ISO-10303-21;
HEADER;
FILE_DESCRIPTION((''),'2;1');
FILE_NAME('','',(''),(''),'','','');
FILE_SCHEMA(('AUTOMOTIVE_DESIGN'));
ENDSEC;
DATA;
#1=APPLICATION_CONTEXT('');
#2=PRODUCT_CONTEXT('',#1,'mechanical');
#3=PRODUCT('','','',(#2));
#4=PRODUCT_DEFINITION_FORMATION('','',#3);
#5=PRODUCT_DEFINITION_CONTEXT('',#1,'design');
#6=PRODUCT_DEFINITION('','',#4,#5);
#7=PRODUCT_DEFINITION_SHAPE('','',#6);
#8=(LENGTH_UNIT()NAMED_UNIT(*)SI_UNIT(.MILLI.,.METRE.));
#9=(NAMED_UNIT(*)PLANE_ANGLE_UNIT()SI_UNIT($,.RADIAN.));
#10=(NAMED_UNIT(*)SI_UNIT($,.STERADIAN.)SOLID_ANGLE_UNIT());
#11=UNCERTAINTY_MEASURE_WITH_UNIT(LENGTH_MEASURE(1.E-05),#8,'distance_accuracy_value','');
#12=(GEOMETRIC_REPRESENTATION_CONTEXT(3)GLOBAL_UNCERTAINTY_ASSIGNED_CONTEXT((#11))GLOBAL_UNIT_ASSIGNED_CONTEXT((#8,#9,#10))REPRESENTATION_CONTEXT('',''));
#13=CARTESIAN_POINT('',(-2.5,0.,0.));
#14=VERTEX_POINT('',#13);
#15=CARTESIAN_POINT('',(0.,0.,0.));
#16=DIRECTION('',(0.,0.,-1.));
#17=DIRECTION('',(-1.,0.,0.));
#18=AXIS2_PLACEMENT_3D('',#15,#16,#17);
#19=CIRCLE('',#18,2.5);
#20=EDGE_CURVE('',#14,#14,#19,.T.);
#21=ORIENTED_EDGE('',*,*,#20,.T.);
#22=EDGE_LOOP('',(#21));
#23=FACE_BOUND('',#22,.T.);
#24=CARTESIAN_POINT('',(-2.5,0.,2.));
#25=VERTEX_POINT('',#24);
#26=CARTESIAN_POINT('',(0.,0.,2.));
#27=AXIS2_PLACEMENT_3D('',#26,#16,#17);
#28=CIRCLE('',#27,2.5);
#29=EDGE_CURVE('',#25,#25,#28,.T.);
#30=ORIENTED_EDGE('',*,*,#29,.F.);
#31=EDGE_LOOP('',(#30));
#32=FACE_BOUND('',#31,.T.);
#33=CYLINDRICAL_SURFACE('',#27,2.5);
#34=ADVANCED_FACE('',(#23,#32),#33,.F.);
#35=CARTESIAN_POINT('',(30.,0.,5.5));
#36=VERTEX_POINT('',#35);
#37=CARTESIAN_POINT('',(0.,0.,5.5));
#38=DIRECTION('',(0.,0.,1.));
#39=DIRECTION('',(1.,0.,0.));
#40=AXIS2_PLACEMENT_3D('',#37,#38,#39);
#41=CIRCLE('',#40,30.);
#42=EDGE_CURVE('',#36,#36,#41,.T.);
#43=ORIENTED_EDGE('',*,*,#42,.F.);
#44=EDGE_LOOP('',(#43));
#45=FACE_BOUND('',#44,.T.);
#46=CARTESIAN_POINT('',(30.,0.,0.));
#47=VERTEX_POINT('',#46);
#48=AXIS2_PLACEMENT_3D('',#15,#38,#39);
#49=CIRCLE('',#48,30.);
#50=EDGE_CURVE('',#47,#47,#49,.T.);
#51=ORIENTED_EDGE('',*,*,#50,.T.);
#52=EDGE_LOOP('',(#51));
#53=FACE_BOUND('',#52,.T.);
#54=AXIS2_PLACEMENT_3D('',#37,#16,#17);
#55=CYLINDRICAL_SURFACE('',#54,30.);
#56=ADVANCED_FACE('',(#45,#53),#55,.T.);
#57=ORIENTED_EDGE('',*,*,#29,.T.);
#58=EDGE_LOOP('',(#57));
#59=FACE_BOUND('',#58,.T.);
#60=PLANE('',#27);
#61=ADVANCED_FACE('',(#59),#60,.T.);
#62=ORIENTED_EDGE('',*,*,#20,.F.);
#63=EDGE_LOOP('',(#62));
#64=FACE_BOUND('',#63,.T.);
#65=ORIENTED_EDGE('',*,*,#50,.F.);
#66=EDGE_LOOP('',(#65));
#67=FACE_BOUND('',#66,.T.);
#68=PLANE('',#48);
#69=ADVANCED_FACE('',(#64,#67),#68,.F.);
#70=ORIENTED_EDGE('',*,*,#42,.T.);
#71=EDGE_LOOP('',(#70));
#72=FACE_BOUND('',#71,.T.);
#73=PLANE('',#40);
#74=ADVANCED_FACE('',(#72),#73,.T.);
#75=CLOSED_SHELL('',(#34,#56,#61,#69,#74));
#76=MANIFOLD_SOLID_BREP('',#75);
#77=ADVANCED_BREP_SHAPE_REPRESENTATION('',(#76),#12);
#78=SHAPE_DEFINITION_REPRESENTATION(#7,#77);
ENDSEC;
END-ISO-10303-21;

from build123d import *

# Parameters (mm, degrees)
ESQUISSE1_R             = 30
BOSS_EXTRU_1_DEPTH      = 5.5
ESQUISSE2_R             = 2.5
ENL_V_MAT_EXTRU_1_DEPTH = 2


with BuildPart() as part:
    # Esquisse1 → Boss.-Extru.1 (new body)
    with BuildSketch(Plane.XY):
        Circle(ESQUISSE1_R)
    extrude(amount=BOSS_EXTRU_1_DEPTH)

    # Esquisse2 → Enlèv. mat.-Extru.1 (cut)
    with BuildSketch(Plane(origin=(0, 0, 0), x_dir=(-1, 0, 0), z_dir=(0, 0, -1))):
        Circle(ESQUISSE2_R)
    extrude(amount=-ENL_V_MAT_EXTRU_1_DEPTH, mode=Mode.SUBTRACT)


solid = part.part
